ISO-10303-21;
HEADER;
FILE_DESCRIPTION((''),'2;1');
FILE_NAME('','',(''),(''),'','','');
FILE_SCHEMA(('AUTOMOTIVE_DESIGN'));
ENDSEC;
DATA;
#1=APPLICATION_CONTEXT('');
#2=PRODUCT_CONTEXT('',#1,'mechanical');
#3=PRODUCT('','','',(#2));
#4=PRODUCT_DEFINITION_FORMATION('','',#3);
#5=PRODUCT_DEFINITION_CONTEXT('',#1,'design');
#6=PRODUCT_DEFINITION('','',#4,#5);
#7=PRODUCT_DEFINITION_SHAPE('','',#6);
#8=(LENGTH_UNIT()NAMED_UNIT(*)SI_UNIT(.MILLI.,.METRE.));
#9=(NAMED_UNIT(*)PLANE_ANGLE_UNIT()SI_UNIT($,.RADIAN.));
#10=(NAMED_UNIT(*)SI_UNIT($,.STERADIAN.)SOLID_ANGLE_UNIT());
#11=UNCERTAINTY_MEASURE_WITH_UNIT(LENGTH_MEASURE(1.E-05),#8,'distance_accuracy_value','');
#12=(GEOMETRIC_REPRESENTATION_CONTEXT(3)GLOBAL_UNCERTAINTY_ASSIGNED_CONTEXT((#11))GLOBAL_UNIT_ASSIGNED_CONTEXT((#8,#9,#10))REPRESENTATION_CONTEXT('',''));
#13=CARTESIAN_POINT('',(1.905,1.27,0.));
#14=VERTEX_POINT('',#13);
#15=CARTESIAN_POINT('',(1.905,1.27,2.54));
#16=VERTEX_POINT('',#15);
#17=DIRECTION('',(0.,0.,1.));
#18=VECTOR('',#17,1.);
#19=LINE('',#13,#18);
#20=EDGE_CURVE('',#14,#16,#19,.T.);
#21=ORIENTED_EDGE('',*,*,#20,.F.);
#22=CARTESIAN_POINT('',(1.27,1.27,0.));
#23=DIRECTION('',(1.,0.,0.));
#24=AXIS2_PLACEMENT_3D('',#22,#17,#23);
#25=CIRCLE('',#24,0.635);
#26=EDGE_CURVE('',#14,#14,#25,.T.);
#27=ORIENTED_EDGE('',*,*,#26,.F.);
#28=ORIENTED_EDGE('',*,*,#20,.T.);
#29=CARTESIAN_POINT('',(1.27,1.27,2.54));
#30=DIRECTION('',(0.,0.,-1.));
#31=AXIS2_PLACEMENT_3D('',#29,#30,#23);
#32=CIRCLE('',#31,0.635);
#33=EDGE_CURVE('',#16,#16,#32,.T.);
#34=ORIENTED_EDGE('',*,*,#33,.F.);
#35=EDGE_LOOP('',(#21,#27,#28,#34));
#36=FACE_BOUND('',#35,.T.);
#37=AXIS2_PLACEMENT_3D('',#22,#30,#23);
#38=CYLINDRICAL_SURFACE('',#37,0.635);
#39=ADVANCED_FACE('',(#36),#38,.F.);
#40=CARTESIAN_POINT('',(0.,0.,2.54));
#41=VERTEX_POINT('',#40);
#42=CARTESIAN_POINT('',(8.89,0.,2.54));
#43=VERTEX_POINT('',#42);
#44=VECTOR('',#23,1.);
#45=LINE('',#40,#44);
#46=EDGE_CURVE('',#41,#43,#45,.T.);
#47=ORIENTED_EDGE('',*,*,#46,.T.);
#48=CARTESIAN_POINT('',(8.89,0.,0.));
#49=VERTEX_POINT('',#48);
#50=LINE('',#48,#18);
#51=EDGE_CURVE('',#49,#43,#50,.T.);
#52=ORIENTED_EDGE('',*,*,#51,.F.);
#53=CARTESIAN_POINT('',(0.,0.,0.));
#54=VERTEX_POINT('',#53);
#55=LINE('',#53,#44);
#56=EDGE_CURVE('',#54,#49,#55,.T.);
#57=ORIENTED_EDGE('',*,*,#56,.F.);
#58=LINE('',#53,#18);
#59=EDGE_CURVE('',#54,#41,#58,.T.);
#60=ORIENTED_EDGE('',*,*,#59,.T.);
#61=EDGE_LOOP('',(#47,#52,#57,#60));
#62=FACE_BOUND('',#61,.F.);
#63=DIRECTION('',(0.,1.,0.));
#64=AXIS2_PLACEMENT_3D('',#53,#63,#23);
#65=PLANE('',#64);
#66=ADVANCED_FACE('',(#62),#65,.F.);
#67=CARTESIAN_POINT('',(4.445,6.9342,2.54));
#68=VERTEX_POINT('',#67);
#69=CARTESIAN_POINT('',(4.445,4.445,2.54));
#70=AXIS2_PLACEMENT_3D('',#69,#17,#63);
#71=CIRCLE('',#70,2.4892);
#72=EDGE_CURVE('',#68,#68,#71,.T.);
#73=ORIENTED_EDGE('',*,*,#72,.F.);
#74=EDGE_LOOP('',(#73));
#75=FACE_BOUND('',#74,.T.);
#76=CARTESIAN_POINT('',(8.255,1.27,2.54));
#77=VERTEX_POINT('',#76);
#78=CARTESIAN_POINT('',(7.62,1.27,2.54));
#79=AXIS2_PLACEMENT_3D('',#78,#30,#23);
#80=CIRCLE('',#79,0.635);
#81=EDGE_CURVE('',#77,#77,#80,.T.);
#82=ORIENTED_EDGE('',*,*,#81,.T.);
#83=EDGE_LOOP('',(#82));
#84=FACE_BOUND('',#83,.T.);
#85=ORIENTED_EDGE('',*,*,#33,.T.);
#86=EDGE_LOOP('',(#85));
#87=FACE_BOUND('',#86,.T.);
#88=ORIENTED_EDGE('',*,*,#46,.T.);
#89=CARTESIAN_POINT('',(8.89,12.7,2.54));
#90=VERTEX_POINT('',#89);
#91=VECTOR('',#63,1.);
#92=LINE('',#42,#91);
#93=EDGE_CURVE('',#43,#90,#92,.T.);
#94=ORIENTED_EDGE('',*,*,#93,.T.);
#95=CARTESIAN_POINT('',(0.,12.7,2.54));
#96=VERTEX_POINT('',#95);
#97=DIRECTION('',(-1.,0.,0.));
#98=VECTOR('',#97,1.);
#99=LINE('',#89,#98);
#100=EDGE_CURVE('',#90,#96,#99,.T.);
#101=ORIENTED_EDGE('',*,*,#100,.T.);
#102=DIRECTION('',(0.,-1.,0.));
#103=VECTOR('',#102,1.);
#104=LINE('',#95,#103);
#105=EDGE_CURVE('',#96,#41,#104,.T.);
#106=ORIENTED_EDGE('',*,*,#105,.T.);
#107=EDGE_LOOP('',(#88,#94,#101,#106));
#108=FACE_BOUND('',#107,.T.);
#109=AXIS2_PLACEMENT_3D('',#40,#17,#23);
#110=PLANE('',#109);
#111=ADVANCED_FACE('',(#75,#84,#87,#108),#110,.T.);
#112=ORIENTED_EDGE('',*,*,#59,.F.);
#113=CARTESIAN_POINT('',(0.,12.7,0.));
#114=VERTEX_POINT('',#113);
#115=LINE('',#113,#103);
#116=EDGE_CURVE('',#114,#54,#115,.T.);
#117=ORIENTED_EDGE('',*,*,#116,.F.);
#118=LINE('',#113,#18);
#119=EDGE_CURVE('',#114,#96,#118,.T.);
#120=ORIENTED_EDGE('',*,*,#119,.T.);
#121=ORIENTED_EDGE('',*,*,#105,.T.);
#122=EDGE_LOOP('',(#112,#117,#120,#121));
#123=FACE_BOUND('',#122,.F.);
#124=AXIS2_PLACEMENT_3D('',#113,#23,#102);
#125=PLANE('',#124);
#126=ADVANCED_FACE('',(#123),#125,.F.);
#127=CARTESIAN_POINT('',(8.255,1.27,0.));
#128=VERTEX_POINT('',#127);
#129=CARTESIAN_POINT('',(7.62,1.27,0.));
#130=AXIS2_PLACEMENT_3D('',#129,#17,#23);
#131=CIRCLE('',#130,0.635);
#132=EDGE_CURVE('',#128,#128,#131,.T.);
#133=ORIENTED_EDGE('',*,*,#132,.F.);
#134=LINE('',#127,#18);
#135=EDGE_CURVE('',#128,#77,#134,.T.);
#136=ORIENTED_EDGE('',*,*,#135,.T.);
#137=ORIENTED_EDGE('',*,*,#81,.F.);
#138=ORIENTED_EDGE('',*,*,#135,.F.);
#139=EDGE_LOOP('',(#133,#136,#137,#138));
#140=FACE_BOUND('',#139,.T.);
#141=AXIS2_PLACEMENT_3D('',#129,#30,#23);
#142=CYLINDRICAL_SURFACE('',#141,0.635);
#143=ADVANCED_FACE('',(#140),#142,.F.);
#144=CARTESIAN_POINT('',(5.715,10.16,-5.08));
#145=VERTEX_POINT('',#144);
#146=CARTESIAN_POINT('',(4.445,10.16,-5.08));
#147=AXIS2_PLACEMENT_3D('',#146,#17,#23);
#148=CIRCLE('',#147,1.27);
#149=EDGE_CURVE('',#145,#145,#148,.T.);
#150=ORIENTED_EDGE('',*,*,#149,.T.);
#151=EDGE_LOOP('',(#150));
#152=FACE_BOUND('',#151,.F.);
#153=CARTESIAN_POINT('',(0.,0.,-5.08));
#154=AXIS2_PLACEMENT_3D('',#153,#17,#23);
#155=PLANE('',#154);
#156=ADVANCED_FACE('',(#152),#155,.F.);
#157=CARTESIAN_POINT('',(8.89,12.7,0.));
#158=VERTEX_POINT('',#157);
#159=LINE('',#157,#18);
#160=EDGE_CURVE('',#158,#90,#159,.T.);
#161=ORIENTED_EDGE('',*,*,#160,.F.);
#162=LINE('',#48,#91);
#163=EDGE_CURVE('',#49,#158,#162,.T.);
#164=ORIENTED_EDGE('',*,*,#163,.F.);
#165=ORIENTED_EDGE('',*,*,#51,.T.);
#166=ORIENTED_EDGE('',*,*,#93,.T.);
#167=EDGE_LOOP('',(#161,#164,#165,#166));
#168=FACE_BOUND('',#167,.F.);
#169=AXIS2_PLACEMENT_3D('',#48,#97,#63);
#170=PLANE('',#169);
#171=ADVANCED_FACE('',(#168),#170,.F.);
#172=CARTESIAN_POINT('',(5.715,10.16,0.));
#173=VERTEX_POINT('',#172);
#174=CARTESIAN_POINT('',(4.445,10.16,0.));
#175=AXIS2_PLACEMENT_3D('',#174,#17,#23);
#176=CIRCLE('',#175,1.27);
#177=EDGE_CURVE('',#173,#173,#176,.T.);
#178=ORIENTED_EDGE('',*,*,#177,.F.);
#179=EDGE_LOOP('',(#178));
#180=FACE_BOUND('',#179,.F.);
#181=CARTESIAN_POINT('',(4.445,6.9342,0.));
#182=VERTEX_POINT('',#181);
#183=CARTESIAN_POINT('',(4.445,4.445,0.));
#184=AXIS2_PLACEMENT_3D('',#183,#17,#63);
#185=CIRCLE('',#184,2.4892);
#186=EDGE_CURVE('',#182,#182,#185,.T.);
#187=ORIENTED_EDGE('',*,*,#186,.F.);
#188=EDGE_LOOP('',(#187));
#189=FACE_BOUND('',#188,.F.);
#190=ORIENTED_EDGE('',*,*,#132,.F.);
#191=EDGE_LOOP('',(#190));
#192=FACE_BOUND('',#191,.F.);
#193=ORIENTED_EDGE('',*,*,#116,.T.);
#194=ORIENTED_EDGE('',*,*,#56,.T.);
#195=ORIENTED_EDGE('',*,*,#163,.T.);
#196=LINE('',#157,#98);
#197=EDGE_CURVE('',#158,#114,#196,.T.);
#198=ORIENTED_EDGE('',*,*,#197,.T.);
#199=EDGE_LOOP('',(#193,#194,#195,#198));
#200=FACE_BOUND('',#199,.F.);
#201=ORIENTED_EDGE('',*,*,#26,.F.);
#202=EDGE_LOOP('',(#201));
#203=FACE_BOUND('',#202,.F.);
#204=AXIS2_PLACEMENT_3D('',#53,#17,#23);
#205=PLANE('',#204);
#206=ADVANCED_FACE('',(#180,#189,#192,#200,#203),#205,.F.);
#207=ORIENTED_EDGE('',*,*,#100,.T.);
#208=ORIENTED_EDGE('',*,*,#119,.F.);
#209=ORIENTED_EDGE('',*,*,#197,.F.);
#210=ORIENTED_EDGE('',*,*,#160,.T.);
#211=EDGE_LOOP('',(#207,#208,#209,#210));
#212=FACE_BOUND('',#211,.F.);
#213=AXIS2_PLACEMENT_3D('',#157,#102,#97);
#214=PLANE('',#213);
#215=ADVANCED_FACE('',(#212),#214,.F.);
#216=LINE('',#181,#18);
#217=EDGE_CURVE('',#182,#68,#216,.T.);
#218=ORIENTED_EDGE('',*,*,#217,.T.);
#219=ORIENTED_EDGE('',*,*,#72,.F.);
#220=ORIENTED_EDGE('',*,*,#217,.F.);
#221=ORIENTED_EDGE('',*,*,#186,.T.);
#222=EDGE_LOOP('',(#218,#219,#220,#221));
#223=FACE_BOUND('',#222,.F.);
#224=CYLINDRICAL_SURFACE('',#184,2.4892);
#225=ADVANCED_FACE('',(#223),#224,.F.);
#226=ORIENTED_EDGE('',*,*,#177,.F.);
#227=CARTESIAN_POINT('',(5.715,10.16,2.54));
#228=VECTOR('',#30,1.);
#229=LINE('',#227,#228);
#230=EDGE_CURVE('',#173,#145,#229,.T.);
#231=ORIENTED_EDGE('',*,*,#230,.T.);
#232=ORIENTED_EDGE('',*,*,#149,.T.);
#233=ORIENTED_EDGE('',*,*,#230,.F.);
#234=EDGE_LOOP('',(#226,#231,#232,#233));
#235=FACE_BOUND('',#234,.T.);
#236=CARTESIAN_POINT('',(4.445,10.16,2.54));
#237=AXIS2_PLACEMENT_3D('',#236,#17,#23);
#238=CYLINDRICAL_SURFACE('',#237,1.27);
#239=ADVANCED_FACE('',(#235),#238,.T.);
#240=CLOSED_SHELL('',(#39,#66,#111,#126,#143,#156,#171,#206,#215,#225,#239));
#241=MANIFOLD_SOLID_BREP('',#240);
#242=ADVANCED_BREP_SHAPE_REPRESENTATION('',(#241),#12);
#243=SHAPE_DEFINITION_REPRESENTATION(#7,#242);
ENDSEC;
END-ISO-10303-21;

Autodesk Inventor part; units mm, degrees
ref_plane "YZ Plane" through (0, 0, 0) normal (1, 0, 0) x (0, 1, 0)
ref_plane "XZ Plane" through (0, 0, 0) normal (0, 1, 0) x (-1, 0, 0)
ref_plane "XY Plane" through (0, 0, 0) normal (0, 0, 1) x (1, 0, 0)
sketch "Sketch1" plane through (0, 0, 0) normal (0, 0, 1) x (1, 0, 0)
  line L0 (0, 0) -> (8.89, 0)
  line L1 (8.89, 0) -> (8.89, 12.7)
  line L2 (8.89, 12.7) -> (0, 12.7)
  line L3 (0, 12.7) -> (0, 0)
  circle A0 centre (7.62, 1.27) radius 0.635
  circle A1 centre (1.27, 1.27) radius 0.635
  point P0 (4.445, 4.445)
  dimension "d0" = 8.89
  dimension "d1" = 12.7
  dimension "d18" = 1.27
  dimension "d19" = 1.27
  dimension "d20" = 1.27
  dimension "d21" = 1.27
  dimension "d22" = 1.27
  dimension "d23" = 1.27
  dimension "d26" = 4.445
extrude "Extrusion1" add sketch "Sketch1" along normal blind 2.54 contours L3 L2 L1 L0 | A0 | A1
sketch "Sketch2" plane through (0, 0, 2.54) normal (0, 0, 1) x (1, 0, 0)
  circle A0 centre (4.445, 10.16) radius 1.27
  line L0 (8.89, 12.7) -> (0, 12.7) projected
  line L1 (8.89, 0) -> (8.89, 12.7) projected
  point P0 (0, 0)
  dimension "d5" = 2.54
  dimension "d6" = 2.54
  dimension "d7" = 4.445
extrude "Extrusion2" add sketch "Sketch2" against normal blind 7.62
hole "Hole1" at (4.445, 4.445, 0) direction (0, 0, 1) diameter 4.9784 depth 19.05 tip angle 118 thread size "1/4-20 UNC" class "2B" standard "ANSI Unified Screw Threads"
extrude "Extrusion3" cut sketch "Sketch1" along normal blind 5.08 contours A0 | A1
properties part number "Slider"
